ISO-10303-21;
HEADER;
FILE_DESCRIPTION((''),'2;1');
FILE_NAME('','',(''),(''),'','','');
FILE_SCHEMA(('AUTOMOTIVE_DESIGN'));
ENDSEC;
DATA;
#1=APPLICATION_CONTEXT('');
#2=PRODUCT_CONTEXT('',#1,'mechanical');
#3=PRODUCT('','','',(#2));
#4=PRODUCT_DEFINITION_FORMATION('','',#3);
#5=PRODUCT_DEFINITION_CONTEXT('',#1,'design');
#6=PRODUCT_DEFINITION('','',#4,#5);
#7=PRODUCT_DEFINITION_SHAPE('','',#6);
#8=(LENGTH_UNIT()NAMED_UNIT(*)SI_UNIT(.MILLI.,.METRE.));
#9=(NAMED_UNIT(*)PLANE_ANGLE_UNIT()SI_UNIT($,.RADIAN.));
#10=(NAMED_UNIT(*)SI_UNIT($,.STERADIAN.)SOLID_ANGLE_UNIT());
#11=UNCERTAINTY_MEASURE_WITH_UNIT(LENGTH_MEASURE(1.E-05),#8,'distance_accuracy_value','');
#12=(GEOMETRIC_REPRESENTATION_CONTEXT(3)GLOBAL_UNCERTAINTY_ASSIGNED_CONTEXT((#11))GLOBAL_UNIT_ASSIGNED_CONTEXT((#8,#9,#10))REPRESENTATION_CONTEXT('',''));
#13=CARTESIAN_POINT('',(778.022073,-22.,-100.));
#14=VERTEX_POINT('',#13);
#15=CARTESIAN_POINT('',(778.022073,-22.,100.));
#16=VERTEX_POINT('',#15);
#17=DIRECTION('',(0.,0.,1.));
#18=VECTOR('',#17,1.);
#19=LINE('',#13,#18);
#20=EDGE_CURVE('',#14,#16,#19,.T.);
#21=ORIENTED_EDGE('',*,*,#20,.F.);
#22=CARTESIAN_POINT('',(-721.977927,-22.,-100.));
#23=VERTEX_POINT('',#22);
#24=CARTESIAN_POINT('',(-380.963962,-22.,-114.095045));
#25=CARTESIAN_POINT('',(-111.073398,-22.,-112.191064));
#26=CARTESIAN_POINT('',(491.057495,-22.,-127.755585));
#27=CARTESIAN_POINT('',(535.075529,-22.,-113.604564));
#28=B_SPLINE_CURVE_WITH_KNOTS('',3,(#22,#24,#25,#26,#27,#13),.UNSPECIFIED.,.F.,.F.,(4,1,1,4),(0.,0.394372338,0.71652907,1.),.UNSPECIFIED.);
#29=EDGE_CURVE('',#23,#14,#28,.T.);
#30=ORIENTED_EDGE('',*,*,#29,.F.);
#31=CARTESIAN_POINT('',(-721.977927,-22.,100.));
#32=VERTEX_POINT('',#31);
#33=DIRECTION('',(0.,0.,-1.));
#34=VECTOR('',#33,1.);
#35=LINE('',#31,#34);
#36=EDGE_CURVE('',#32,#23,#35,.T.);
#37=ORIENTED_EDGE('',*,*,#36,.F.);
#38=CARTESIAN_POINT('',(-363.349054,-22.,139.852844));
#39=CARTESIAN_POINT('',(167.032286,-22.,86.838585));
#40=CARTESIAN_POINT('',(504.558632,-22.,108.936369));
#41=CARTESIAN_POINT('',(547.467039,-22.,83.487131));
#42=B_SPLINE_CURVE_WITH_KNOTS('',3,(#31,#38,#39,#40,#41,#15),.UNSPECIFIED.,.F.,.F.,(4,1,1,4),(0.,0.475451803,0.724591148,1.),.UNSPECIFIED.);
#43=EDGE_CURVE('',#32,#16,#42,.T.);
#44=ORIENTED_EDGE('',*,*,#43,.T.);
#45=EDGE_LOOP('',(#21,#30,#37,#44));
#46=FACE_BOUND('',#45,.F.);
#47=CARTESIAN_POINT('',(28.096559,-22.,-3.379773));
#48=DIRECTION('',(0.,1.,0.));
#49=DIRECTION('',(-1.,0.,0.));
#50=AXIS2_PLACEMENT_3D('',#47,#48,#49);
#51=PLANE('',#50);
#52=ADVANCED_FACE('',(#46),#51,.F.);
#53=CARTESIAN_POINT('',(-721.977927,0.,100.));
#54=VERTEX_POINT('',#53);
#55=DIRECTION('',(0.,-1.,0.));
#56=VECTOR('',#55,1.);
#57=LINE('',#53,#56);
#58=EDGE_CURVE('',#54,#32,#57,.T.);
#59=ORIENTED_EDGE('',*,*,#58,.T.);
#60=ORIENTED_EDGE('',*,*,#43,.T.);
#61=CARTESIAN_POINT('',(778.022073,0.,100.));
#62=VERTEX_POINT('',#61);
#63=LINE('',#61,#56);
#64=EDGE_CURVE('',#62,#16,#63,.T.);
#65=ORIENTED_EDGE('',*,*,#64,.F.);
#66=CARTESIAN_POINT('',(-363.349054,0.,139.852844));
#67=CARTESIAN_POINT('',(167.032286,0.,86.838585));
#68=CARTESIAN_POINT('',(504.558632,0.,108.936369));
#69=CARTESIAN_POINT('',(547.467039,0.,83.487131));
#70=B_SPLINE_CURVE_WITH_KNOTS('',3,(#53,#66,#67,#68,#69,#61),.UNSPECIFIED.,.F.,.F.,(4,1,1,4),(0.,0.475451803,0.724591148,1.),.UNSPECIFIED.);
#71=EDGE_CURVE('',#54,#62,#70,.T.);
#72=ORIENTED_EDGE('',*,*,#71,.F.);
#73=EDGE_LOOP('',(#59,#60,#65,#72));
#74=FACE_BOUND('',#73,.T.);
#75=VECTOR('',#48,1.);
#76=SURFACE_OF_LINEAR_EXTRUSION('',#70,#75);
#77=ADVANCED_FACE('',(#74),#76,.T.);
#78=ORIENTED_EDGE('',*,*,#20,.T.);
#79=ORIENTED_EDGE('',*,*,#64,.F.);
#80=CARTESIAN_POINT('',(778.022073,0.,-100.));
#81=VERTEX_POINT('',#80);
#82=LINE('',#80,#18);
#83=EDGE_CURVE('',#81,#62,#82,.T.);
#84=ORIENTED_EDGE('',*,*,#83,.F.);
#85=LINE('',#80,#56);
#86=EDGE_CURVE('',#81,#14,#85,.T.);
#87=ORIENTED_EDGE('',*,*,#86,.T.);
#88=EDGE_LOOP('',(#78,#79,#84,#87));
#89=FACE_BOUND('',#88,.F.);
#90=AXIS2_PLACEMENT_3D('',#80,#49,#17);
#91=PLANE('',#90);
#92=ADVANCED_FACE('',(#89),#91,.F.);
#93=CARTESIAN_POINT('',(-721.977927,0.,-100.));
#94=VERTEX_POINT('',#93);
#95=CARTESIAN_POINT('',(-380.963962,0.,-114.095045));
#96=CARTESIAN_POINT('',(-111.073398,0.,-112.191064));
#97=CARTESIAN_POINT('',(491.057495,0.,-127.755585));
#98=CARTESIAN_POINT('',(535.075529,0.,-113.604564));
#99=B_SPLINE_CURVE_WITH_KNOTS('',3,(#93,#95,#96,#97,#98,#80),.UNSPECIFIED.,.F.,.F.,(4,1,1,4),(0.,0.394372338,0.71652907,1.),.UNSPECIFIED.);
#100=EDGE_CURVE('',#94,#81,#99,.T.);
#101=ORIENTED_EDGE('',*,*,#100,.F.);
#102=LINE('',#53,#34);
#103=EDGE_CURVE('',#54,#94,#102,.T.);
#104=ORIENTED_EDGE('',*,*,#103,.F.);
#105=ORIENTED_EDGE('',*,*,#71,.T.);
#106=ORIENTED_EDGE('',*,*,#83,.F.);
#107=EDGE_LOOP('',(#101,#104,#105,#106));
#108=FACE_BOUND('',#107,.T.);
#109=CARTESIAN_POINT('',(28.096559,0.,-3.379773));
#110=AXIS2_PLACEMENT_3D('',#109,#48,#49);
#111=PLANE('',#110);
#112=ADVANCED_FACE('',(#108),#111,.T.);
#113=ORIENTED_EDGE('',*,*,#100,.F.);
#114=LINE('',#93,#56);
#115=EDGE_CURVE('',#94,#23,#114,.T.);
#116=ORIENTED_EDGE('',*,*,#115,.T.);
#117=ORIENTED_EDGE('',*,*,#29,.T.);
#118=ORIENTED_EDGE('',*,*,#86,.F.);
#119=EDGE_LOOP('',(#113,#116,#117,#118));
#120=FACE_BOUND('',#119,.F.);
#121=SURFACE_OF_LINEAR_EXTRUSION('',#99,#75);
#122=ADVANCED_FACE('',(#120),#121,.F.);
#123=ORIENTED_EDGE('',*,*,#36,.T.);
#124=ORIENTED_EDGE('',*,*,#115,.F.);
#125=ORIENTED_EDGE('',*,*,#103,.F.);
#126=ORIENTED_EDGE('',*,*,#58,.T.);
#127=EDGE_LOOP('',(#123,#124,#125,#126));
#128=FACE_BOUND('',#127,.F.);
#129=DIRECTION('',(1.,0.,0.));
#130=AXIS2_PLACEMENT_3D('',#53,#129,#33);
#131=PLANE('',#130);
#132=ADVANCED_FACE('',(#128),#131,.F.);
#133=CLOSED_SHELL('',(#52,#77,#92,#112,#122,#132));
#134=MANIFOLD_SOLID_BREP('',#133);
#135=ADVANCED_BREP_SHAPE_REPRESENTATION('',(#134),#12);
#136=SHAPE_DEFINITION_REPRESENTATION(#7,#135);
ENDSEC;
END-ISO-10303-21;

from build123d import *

# Parameters (mm, degrees)
F1_DEPTH = 22


with BuildPart() as f1:
    # F0 (on Front) → F1 (new body)
    with BuildSketch(Plane.XZ):
        with BuildLine():
            add(Edge.make_bspline(
                [(-721.9779274989, 100), (-363.3490536445, 139.8528439818), (167.0322855496, 86.8385849476), (504.5586321002, 108.9363694865), (547.467039115, 83.4871307058), (778.0220725011, 100)],
                knots=[0, 0, 0, 0, 0.4754518031, 0.7245911483, 1, 1, 1, 1], degree=3))
            Line((-721.9779274989, 100), (-721.9779274989, -100))
            add(Edge.make_bspline(
                [(-721.9779274989, -100), (-380.9639619316, -114.0950448783), (-111.0733975433, -112.1910638818), (491.0574952219, -127.7555847442), (535.0755292335, -113.6045644115), (778.0220725011, -100)],
                knots=[0, 0, 0, 0, 0.3943723383, 0.7165290696, 1, 1, 1, 1], degree=3))
            Line((778.0220725011, -100), (778.0220725011, 100))
        make_face()
    extrude(amount=F1_DEPTH)


solid = f1.part
